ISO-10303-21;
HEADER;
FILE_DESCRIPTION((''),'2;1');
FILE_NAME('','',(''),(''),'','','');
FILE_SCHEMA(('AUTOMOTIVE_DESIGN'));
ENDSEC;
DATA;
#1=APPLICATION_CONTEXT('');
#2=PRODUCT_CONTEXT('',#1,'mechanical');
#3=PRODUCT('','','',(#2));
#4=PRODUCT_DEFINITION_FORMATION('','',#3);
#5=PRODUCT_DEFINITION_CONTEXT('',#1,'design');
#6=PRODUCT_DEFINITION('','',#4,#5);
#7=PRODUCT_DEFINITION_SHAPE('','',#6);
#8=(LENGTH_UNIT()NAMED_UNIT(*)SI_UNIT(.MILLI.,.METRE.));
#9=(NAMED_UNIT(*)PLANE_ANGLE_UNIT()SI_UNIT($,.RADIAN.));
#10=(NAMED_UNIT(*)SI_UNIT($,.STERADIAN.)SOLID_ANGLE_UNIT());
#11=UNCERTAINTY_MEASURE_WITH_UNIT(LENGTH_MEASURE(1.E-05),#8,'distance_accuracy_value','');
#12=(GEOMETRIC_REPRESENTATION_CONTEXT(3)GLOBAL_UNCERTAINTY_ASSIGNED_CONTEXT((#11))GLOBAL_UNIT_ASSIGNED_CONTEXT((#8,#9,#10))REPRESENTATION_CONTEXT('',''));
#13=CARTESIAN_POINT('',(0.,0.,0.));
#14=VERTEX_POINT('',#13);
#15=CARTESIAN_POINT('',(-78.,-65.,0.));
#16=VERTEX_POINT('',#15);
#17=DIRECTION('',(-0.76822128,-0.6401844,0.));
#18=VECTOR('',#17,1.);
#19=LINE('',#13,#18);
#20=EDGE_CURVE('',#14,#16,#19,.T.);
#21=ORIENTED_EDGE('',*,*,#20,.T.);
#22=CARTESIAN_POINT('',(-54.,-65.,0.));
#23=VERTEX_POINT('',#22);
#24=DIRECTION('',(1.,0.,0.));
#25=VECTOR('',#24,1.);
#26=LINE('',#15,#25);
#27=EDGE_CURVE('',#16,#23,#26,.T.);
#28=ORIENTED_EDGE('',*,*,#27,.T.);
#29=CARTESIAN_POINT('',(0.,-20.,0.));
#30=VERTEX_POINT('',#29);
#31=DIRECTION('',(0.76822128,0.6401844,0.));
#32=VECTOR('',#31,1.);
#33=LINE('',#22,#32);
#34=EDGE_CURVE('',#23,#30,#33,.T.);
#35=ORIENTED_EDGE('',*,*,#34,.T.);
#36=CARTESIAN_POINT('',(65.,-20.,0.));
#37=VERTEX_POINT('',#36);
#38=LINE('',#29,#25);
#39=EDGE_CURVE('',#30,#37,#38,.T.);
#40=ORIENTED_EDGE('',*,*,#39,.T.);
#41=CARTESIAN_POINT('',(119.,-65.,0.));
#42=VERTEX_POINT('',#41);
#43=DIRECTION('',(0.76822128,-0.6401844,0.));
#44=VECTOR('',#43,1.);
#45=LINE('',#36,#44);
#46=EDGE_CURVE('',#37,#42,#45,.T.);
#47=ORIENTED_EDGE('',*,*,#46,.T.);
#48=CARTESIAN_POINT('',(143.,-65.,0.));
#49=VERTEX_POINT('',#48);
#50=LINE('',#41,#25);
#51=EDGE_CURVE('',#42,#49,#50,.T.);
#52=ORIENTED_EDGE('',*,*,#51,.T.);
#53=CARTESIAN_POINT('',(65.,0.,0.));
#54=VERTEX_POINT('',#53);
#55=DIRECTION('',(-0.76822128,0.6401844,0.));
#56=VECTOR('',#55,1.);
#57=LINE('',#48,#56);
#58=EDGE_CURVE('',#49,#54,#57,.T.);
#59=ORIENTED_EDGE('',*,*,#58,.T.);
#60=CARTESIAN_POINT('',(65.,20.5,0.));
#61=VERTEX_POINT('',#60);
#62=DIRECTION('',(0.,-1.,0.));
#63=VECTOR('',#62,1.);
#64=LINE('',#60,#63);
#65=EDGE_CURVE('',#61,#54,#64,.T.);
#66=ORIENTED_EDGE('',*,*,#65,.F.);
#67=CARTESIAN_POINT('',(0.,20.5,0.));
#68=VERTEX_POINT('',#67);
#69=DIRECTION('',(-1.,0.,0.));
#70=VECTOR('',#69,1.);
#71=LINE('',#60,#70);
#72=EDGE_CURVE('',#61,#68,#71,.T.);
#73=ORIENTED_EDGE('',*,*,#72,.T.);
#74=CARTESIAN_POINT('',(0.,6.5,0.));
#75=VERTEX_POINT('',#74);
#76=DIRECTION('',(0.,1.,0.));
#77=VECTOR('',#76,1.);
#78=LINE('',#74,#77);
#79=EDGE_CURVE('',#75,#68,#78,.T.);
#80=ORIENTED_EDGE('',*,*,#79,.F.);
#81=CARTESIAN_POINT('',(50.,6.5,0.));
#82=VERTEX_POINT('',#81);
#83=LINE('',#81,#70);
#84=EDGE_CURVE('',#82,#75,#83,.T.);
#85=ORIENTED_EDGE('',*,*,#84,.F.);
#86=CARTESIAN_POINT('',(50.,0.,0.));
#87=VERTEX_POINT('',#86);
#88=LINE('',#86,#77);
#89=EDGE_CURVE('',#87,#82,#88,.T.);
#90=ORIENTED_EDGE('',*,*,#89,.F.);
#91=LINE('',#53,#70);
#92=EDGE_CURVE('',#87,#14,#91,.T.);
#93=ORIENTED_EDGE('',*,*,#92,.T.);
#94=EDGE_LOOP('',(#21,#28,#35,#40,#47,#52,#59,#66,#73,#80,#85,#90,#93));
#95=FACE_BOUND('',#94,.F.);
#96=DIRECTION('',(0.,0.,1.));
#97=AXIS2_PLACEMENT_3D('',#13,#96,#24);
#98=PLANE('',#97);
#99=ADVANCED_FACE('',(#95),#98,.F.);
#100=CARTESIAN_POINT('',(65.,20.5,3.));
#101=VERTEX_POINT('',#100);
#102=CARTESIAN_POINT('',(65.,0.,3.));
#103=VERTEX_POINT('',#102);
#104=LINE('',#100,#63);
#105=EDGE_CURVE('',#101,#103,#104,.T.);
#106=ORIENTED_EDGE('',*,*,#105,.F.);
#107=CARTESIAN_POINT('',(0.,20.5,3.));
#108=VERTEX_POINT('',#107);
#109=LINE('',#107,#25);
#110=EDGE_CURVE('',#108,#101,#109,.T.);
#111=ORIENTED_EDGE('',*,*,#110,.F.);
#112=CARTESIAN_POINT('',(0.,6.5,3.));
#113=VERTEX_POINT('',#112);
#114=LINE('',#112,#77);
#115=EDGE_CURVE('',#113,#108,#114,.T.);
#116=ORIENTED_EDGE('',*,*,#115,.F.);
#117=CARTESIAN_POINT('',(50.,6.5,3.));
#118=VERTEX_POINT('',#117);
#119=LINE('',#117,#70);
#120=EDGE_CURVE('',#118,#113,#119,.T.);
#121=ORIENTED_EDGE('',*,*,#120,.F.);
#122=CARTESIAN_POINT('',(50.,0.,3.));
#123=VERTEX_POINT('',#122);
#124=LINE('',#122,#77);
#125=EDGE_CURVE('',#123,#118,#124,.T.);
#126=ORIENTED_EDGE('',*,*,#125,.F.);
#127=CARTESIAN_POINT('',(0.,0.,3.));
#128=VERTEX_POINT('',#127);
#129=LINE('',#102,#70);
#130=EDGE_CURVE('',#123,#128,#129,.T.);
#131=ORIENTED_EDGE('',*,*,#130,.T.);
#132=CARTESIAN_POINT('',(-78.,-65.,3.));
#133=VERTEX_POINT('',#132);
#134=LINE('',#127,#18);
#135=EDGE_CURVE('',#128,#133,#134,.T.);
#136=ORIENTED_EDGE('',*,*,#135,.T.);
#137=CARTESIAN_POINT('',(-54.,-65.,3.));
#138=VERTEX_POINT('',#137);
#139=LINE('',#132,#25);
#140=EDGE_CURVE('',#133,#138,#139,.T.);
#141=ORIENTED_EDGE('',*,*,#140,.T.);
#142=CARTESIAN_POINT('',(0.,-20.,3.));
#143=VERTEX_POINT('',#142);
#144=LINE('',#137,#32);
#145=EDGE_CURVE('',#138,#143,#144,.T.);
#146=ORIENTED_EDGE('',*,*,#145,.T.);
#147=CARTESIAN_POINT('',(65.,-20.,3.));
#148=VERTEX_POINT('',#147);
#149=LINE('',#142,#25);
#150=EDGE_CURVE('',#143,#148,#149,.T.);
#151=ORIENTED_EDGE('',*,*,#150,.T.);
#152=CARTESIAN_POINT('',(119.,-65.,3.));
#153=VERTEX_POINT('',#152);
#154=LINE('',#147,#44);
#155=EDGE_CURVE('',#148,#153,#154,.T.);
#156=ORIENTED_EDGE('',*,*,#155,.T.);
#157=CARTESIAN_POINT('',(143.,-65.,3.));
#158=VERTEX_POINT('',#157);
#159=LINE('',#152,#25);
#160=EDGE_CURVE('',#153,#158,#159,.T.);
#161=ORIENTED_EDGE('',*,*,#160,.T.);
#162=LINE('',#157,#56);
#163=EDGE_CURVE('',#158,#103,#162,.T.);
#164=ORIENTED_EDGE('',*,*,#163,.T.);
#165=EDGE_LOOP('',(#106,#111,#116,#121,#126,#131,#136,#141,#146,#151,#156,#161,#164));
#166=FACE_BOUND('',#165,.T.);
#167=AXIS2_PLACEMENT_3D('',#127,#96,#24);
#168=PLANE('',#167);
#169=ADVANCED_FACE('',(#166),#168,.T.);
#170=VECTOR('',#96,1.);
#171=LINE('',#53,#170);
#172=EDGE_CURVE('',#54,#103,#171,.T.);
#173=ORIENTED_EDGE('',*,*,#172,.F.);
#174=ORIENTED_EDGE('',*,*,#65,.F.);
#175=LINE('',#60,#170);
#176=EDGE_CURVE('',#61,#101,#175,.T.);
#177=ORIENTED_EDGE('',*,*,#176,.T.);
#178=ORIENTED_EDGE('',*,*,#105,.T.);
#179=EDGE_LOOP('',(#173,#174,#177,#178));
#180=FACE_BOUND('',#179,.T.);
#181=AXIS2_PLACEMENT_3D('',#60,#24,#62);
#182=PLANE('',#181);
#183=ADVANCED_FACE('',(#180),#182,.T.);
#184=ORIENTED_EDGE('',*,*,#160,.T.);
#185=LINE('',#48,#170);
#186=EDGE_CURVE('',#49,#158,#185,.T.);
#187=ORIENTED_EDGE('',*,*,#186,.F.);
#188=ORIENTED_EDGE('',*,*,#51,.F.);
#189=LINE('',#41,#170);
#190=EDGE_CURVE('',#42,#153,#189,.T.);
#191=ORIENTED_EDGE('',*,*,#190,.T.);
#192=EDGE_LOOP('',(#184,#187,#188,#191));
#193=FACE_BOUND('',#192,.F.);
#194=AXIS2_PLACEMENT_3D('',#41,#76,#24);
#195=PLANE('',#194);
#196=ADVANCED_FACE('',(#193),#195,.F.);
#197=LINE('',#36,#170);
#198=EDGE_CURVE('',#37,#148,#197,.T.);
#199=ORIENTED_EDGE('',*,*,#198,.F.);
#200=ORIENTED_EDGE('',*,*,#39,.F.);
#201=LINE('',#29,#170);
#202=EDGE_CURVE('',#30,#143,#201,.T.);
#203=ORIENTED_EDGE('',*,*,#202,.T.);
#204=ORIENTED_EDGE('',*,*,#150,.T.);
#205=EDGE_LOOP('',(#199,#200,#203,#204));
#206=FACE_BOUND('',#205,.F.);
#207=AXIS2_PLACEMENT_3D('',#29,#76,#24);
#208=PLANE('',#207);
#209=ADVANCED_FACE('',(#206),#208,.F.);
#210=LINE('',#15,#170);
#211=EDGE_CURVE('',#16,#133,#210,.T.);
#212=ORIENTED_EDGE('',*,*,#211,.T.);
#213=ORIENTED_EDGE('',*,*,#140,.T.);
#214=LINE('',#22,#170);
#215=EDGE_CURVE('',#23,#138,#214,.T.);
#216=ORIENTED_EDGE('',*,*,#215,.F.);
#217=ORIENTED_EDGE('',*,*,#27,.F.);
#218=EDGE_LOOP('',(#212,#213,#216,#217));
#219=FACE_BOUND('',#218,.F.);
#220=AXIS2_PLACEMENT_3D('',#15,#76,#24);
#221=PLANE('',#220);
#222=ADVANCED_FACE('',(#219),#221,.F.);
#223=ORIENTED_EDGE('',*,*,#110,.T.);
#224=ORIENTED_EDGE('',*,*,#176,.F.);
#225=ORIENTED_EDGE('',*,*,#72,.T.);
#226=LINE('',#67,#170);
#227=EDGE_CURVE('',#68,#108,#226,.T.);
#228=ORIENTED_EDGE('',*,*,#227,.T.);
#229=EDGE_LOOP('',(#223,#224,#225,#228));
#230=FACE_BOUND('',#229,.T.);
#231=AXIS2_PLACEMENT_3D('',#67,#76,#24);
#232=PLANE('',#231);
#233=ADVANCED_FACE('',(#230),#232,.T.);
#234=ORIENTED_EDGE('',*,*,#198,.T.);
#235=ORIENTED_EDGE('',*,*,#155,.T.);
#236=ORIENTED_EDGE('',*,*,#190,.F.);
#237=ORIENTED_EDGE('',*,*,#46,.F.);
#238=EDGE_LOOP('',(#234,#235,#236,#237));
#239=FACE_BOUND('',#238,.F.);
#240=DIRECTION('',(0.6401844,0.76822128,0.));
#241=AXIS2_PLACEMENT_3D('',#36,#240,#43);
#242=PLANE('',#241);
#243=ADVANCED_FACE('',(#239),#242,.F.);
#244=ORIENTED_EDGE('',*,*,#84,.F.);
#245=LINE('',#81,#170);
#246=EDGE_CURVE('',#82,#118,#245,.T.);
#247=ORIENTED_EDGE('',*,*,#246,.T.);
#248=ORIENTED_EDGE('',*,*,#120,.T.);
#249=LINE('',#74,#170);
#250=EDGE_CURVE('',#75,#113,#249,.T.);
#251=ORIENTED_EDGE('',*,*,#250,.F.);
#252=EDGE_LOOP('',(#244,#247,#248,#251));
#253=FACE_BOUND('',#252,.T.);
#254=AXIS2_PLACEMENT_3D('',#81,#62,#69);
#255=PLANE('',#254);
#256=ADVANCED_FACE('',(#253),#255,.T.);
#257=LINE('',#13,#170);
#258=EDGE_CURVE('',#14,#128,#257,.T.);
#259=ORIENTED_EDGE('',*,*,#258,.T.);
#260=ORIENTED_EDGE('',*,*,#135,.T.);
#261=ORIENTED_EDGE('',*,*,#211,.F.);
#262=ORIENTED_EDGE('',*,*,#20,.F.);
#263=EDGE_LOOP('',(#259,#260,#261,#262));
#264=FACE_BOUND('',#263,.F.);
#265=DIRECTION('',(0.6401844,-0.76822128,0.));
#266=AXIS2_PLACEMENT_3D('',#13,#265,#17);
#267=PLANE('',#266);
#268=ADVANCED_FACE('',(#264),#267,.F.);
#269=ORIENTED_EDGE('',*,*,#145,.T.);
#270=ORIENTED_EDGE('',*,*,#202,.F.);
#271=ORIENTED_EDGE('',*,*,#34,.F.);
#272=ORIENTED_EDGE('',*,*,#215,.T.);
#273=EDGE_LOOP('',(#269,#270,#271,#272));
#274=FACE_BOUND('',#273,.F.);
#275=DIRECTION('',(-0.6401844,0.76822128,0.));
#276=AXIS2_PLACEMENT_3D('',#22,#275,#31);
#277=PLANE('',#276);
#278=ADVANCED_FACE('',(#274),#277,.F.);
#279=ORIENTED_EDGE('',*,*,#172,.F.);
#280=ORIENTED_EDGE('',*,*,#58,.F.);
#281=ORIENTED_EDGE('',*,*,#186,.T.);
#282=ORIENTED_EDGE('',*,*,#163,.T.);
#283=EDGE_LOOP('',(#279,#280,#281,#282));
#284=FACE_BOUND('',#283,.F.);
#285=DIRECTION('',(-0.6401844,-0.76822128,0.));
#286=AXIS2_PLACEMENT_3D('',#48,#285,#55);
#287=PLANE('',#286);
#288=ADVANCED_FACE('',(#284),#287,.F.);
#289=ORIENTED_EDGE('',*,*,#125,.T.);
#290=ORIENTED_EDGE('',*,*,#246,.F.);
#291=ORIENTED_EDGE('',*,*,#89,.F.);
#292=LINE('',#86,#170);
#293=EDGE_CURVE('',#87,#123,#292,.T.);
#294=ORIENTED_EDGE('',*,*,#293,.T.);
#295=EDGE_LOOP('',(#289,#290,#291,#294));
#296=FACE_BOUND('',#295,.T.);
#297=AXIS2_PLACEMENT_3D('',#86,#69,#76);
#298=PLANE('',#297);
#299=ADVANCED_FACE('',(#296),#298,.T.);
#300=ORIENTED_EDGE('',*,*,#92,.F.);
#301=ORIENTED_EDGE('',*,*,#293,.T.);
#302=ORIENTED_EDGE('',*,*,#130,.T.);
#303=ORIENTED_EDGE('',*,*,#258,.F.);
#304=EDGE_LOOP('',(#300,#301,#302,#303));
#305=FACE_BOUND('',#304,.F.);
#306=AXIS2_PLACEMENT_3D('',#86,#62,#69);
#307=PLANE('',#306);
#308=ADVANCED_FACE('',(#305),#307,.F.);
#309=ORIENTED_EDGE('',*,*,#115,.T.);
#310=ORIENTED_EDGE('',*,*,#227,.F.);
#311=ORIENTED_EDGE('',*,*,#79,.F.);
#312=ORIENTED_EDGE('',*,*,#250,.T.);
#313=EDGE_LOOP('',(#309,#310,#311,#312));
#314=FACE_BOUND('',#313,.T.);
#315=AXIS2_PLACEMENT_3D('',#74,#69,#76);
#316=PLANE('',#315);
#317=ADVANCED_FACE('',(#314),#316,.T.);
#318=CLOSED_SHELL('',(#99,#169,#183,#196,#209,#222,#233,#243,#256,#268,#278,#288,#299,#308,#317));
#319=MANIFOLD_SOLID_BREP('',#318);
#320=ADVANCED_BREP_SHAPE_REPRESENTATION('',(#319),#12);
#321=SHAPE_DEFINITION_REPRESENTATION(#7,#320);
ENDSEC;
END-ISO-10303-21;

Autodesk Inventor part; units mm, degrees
ref_plane "YZ Plane" through (0, 0, 0) normal (1, 0, 0) x (0, 1, 0)
ref_plane "XZ Plane" through (0, 0, 0) normal (0, 1, 0) x (-1, 0, 0)
ref_plane "XY Plane" through (0, 0, 0) normal (0, 0, 1) x (1, 0, 0)
sketch "Sketch1" plane through (0, 0, 0) normal (0, 0, 1) x (1, 0, 0)
  line L0 (0, 20.5) -> (50, 20.5)
  line L1 (50, 20.5) -> (50, 6.5)
  line L2 (50, 6.5) -> (0, 6.5)
  line L3 (0, 6.5) -> (0, 20.5)
  line L4 (50, 20.5) -> (65, 20.5)
  line L5 (65, 20.5) -> (65, 0)
  line L6 (65, 0) -> (50, 0)
  line L7 (50, 0) -> (50, 20.5)
  line L8 (65, 0) -> (0, 0)
  line L9 (0, 0) -> (0, -20)
  line L10 (0, -20) -> (65, -20)
  line L11 (65, -20) -> (65, 0)
  line L12 (0, 0) -> (-78, -65)
  line L13 (-78, -65) -> (-54, -65)
  line L14 (-54, -65) -> (0, -20)
  line L15 (65, -20) -> (119, -65)
  line L16 (119, -65) -> (143, -65)
  line L17 (143, -65) -> (65, 0)
  point P0 (50, 6.5)
  point P1 (50, 0)
  dimension "d0" = 6.5
  dimension "d1" = 14
  dimension "d2" = 50
  dimension "d3" = 15
  dimension "d4" = 20
  dimension "d6" = 24
  dimension "d7" = 65
  dimension "d10" = 24
extrude "Extrusion1" add sketch "Sketch1" along normal blind 3
properties part number "Support_base"
